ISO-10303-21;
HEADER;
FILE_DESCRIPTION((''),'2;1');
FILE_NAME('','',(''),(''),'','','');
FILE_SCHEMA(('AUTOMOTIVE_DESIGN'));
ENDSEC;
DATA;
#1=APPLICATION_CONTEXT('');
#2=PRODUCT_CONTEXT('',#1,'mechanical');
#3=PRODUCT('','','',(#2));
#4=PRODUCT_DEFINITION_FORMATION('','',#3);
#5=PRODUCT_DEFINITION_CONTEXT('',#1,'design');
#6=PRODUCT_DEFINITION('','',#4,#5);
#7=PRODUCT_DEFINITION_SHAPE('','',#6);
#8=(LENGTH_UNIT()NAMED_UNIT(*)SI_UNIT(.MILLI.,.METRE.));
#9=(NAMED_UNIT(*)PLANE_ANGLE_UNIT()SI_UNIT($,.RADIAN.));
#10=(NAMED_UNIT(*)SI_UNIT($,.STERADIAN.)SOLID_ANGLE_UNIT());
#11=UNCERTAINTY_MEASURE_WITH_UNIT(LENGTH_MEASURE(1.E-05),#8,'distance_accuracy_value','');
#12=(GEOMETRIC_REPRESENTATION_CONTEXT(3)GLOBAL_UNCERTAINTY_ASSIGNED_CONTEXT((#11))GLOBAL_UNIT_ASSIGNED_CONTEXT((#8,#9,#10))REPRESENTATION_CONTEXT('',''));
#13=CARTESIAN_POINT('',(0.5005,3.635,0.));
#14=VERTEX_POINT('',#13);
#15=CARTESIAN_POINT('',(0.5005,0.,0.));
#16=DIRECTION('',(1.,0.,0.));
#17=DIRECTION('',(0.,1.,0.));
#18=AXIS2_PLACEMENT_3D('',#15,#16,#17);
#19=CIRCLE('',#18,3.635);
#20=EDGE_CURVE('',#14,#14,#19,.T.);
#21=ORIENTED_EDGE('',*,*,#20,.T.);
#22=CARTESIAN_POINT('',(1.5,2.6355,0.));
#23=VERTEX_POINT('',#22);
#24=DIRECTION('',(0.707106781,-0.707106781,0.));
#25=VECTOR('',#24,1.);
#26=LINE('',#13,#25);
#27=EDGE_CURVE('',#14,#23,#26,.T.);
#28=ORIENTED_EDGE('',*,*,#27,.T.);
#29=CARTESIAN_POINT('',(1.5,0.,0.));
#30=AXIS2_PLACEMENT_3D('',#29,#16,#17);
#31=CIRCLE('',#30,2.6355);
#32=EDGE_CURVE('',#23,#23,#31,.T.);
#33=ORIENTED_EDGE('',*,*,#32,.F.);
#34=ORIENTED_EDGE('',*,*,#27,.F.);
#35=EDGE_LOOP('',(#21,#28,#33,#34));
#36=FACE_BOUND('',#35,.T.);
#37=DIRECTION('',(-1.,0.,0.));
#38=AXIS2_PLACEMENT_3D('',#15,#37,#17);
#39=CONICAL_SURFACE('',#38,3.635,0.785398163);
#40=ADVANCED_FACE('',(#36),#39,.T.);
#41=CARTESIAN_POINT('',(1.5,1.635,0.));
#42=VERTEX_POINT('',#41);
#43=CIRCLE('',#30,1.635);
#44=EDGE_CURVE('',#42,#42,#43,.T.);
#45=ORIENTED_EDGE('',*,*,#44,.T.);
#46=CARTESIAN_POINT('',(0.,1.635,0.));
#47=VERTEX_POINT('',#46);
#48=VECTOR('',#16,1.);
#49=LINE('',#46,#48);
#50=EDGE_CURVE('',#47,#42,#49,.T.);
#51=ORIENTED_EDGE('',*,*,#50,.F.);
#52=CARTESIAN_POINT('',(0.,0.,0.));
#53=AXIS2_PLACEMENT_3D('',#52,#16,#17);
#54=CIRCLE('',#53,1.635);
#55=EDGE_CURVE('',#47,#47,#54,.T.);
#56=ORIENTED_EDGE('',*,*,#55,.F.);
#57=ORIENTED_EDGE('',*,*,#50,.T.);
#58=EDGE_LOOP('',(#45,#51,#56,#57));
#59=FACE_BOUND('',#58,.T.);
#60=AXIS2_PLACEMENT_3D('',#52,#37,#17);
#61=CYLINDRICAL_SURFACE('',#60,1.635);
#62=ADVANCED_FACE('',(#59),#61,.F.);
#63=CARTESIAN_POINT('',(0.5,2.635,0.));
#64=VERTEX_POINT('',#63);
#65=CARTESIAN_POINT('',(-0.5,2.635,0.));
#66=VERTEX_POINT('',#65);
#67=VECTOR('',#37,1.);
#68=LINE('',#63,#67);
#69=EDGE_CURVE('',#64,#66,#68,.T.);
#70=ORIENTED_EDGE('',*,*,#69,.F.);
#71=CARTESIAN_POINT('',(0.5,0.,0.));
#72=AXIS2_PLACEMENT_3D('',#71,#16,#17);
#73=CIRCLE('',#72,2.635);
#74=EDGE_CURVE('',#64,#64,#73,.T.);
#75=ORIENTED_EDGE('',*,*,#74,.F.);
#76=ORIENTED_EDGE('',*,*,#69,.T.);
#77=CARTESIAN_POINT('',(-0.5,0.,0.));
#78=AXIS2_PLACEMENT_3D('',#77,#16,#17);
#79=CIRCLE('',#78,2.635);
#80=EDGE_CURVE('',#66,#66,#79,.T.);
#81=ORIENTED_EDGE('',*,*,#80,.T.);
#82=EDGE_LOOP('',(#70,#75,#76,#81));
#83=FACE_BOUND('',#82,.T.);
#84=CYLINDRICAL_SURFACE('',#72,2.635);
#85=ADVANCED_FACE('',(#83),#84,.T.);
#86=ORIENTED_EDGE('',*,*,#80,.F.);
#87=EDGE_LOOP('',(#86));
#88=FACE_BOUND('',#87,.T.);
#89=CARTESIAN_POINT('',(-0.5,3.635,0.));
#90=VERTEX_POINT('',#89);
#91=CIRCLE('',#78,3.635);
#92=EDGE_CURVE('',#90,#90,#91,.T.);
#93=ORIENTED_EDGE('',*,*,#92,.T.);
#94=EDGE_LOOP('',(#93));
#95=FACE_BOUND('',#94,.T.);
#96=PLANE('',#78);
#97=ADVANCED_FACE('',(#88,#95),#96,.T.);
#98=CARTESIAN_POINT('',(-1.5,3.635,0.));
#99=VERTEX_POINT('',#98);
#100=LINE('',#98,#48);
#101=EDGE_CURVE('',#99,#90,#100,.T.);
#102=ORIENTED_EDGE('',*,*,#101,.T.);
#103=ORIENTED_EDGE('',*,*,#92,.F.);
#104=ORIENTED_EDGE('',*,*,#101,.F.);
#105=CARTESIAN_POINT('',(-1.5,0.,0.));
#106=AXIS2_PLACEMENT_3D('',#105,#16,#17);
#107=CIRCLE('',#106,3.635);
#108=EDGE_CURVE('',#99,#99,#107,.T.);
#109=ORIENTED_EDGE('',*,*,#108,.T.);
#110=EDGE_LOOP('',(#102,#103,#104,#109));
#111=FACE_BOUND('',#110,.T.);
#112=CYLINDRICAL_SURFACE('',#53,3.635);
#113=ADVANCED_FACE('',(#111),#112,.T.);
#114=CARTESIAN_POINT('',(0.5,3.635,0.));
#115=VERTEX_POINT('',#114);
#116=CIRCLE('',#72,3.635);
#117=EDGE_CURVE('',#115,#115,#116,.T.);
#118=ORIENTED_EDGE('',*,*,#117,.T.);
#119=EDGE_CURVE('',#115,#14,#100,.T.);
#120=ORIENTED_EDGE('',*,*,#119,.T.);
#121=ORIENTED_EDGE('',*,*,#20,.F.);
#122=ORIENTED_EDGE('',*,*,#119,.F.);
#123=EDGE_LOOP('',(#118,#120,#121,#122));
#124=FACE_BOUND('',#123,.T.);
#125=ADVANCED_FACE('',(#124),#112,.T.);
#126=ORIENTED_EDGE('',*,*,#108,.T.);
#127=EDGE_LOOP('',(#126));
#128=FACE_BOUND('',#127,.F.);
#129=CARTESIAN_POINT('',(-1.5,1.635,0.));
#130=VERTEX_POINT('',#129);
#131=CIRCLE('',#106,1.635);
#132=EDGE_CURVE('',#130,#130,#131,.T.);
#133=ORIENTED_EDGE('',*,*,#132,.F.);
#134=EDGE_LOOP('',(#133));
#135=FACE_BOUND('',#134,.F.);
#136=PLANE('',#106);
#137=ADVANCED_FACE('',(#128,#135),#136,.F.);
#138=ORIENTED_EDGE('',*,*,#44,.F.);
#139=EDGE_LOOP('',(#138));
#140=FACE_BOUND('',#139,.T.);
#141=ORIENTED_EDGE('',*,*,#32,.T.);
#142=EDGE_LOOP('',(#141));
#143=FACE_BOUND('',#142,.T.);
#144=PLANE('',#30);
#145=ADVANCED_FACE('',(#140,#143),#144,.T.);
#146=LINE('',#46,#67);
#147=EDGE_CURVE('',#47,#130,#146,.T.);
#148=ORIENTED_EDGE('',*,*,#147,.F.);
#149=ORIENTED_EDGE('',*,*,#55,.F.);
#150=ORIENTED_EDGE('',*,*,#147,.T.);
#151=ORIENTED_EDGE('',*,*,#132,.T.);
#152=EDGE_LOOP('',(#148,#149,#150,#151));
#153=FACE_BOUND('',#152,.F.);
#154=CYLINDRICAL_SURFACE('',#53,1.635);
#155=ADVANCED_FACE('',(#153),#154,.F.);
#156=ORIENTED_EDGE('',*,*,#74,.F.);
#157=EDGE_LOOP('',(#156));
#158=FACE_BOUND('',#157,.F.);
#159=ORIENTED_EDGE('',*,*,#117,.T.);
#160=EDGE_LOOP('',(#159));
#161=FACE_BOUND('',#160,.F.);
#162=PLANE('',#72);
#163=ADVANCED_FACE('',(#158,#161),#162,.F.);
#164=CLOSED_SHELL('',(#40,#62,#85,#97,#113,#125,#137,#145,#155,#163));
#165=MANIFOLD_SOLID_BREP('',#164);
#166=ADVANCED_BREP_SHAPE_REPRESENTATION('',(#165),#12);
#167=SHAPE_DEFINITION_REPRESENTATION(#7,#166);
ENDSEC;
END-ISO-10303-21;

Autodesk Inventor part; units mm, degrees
ref_plane "YZ Plane" through (0, 0, 0) normal (1, 0, 0) x (0, 1, 0)
ref_plane "XZ Plane" through (0, 0, 0) normal (0, 1, 0) x (-1, 0, 0)
sketch "スケッチ1" plane through (0, 0, 0) normal (1, 0, 0) x (0, 1, 0)
  circle A0 centre (0, 0) radius 3.635
  circle A1 centre (0, 0) radius 1.635
  circle A2 centre (0, 0) radius 2.635
  dimension "d0" = 3.27
  dimension "d1" = 2
  dimension "d7" = 1
extrude "押し出し1" add sketch "スケッチ1" along normal mid plane 3 contours A0 | A2
ref_plane "作業平面1" through (0.5, 0, 0) normal (1, 0, 0) x (0, 0, -1)
extrude "押し出し3" cut sketch "スケッチ1" against normal blind 1 from surface at 0.5 contours A0
chamfer "面取り3" distance 1 angle 45 1 edges at (1.5, -3.635, 0)
properties part number "spacer_Φ3.2_1"
